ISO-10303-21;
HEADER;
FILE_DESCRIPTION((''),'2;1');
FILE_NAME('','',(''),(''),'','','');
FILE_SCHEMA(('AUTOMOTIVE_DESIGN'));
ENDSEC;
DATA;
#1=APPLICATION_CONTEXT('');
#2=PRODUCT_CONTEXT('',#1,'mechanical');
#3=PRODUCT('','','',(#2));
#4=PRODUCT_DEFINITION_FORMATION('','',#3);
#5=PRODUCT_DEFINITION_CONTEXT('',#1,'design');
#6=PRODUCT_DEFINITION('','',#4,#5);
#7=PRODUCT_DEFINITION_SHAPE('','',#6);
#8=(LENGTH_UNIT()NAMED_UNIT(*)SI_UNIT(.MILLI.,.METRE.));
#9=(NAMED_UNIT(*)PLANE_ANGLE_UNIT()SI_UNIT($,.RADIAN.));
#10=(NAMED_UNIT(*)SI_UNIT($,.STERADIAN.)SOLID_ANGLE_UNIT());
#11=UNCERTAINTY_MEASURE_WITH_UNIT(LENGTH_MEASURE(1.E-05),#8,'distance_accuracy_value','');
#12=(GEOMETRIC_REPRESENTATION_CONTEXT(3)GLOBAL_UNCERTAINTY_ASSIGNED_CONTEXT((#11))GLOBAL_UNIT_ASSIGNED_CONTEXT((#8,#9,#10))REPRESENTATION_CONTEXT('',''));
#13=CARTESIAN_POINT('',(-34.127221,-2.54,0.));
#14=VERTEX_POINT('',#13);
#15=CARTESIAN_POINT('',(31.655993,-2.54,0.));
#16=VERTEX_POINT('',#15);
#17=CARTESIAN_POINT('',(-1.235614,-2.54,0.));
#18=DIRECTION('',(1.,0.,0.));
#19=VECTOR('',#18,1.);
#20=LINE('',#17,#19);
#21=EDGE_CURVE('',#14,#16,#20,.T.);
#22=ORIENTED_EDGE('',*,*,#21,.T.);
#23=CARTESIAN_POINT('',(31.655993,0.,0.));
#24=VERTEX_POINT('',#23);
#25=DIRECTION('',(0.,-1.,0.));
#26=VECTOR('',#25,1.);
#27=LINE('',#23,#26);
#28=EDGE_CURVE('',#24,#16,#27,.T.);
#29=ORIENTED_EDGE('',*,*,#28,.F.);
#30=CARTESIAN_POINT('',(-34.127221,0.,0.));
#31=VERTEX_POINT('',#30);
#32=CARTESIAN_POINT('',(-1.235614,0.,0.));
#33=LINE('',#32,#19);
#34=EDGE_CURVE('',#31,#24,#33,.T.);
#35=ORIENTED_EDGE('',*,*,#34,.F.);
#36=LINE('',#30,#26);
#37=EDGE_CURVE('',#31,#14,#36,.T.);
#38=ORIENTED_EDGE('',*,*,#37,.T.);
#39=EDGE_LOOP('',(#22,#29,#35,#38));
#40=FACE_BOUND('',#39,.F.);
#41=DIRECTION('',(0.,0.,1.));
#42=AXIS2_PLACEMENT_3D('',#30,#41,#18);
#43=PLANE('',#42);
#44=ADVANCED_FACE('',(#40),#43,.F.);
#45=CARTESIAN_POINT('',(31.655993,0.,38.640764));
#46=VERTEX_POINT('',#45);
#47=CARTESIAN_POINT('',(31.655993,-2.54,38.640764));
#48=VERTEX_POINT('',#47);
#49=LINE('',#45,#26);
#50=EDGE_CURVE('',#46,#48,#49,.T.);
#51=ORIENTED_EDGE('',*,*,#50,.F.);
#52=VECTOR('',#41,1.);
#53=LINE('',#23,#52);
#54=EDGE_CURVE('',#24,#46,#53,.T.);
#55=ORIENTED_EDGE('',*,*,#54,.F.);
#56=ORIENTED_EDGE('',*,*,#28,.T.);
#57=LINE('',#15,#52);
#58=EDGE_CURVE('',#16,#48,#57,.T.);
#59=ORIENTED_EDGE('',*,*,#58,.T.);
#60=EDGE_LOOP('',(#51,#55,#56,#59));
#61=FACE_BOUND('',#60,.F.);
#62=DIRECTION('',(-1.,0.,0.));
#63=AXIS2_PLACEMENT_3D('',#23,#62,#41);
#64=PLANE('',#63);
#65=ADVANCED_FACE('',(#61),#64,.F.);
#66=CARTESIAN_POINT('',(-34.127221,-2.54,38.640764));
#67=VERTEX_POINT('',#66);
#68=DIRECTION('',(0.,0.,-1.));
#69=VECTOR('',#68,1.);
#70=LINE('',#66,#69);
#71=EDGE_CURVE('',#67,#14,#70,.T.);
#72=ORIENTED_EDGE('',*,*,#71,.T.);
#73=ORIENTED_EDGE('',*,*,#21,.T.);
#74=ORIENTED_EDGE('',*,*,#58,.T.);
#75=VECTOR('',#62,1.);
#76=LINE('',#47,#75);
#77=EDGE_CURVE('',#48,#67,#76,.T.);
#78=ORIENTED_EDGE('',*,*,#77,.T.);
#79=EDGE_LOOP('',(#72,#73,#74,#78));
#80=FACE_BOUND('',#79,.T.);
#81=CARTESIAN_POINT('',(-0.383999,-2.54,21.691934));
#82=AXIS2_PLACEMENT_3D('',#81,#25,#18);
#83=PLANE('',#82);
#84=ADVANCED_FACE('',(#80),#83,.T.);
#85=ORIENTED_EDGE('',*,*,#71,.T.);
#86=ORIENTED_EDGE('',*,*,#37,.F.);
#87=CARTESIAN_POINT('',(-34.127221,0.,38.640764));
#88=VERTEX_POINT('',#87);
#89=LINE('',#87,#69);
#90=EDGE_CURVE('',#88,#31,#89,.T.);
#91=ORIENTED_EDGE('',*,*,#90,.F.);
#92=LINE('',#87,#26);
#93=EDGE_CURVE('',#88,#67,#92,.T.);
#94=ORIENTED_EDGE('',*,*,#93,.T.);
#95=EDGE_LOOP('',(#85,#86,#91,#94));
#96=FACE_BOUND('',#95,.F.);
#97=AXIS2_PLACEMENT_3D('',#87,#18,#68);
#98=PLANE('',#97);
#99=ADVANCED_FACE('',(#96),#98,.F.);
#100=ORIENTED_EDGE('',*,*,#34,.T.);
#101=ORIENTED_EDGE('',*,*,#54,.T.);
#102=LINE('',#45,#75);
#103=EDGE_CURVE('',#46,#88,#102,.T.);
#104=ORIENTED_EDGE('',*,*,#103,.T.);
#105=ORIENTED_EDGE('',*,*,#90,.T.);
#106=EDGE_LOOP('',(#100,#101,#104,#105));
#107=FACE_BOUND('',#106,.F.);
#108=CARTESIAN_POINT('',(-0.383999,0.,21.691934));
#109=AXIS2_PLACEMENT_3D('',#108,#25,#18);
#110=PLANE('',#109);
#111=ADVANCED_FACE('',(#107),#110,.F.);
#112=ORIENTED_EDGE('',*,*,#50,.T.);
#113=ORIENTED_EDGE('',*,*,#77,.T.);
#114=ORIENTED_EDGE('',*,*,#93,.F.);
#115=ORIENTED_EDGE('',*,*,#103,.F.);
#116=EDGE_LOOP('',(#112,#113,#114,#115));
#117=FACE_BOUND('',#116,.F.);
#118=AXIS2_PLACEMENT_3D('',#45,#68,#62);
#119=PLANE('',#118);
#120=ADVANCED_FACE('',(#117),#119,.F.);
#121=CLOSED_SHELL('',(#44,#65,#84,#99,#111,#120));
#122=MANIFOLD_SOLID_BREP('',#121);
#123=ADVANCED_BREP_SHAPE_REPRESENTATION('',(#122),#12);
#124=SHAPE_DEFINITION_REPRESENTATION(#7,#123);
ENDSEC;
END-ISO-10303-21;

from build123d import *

# Parameters (mm, degrees)
F0_W     = 49.1954423487
F0_H     = 27.1353706167
F0_W_2   = 43.6466466635
F0_H_2   = 19.5353943855
F0_W_3   = 65.783213824
F0_H_3   = 4.6626478434
F1_DEPTH = 2.54


with BuildPart() as f1:
    # F0 (on Front) → F1 (new body)
    with BuildSketch(Plane.XZ):
        with Locations((-0.3839991987, 21.6919340469)):
            Rectangle(F0_W, F0_H)
        Polygon((-22.1977923065, 10.1510733366), (-23.8697398454, 10.1510733366), (-23.8697398454, 33.3823524415), (23.0328030884, 33.3823524415), (23.0328030884, 10.1510733366), (21.448854357, 10.1510733366), align=None, mode=Mode.SUBTRACT)
        with Locations((-0.3744689748, 19.9187705293)):
            Rectangle(F0_W_2, F0_H_2)
        Polygon((-34.1272205114, 38.6407636106), (-34.1272205114, 7.6258555055), (-28.0774030834, 7.6258555055), (-28.0774030834, 8.1083169207), (-24.981720373, 8.1242487385), (-24.981720373, 35.2596193552), (24.2137219757, 35.2596193552), (24.2137219757, 8.1242487385), (27.5058131665, 8.1242487385), (27.5058131665, 7.6258555055), (31.6559933126, 7.6258555055), (31.6559933126, 38.6407636106), align=None)
        with Locations((-1.2356135994, 2.3313239217)):
            Rectangle(F0_W_3, F0_H_3)
        Polygon((-23.8697398454, 33.3823524415), (-23.8697398454, 10.1510733366), (-22.1977923065, 10.1510733366), (-22.1977923065, 29.6864677221), (21.448854357, 29.6864677221), (21.448854357, 10.1510733366), (23.0328030884, 10.1510733366), (23.0328030884, 33.3823524415), align=None)
        Polygon((-34.1272205114, 7.6258555055), (-34.1272205114, 4.6626478434), (31.6559933126, 4.6626478434), (31.6559933126, 7.6258555055), (27.5058131665, 7.6258555055), (-28.0774030834, 7.6258555055), align=None)
        Polygon((-28.0774030834, 8.1083169207), (-28.0774030834, 7.6258555055), (27.5058131665, 7.6258555055), (27.5058131665, 8.1242487385), (24.2137219757, 8.1242487385), (-24.981720373, 8.1242487385), align=None)
    extrude(amount=F1_DEPTH)


solid = f1.part
